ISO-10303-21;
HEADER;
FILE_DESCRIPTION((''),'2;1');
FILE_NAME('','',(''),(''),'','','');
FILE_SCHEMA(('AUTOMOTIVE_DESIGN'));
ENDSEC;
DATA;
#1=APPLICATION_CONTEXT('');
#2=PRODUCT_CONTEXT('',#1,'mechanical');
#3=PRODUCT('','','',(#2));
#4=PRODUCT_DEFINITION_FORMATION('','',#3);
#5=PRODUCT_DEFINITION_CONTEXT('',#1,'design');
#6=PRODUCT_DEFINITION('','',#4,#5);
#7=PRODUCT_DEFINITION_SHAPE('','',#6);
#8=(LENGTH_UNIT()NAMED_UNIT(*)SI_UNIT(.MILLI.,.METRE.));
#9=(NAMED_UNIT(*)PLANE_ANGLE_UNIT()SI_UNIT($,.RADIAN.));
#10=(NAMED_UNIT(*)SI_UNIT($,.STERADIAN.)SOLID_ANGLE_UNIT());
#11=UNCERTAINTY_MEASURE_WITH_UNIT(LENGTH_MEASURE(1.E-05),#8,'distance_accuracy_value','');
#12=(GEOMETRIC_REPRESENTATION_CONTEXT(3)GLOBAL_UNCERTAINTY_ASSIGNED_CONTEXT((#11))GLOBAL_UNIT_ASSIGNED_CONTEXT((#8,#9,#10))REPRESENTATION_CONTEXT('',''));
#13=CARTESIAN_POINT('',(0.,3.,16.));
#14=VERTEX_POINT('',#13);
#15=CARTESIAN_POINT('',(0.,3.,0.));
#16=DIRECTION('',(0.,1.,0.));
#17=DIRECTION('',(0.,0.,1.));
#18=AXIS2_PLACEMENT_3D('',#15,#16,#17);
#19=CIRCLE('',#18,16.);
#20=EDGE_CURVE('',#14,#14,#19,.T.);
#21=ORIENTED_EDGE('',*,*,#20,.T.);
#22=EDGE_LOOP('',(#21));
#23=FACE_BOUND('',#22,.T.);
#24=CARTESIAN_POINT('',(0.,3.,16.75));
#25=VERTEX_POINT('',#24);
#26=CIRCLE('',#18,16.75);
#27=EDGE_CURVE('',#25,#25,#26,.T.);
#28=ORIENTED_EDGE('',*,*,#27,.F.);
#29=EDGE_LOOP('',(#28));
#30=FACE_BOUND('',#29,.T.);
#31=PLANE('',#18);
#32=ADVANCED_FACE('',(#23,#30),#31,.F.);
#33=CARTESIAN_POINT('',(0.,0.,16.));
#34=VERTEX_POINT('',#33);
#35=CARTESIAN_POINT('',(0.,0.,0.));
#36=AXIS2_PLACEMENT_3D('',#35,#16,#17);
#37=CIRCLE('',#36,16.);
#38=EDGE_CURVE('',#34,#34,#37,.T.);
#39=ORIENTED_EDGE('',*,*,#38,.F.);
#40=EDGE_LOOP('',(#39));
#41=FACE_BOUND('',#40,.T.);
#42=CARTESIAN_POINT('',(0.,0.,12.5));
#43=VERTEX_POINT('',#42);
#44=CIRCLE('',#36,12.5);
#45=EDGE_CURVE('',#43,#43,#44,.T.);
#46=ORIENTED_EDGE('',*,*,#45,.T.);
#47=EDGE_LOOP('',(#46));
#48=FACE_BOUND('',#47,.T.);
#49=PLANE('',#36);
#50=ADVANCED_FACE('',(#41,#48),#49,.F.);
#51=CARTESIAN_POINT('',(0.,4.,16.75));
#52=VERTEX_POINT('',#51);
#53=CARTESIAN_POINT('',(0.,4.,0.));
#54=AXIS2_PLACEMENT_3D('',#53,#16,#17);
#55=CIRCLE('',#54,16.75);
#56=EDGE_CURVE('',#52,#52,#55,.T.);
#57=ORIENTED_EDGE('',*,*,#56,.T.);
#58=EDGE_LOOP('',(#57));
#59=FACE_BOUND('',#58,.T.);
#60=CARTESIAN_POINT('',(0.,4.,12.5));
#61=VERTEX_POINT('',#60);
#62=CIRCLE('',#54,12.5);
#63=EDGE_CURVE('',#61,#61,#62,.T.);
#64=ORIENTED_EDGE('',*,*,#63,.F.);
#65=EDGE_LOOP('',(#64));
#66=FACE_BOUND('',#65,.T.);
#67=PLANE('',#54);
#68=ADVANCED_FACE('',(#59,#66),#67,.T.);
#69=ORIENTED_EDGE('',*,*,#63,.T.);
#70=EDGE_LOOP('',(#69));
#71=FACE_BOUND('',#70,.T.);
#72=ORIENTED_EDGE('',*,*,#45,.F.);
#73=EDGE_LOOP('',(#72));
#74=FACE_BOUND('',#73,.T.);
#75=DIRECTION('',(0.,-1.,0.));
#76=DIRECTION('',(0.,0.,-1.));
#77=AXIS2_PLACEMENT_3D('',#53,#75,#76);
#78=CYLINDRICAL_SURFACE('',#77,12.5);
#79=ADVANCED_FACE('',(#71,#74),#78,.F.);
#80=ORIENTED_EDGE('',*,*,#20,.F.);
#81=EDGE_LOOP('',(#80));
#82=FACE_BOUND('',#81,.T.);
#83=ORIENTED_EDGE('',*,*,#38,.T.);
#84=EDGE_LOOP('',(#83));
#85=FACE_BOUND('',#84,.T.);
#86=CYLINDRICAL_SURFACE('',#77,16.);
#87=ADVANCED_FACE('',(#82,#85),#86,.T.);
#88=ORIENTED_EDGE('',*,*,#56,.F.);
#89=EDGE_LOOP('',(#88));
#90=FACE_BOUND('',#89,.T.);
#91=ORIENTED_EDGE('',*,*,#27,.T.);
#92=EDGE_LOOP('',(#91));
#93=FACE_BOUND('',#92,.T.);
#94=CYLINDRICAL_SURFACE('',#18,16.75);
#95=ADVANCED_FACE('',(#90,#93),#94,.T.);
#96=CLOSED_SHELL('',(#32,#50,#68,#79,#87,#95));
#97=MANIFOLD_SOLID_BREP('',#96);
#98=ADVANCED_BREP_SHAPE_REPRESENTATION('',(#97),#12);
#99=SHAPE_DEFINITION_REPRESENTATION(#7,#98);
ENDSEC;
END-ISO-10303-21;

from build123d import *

# Parameters (mm, degrees)
SKETCH_1_R      = 16
SKETCH_1_R_2    = 12.5
EXTRUDE_1_DEPTH = 4
EXTRUDE_START   = -1
SKETCH_2_R      = 16.75
SKETCH_2_R_2    = 16
EXTRUDE_2_DEPTH = 1


with BuildPart() as part:
    # 草图1 → 凸台-拉伸1 (new body)
    with BuildSketch(Plane(origin=(0, 0, 0), x_dir=(1, 0, 0), z_dir=(0, 1, 0))):
        with Locations(Location((0, 0, 0), (0, 0, 270))):
            Circle(SKETCH_1_R)
        with Locations(Location((0, 0, 0), (0, 0, 270))):
            Circle(SKETCH_1_R_2, mode=Mode.SUBTRACT)
    extrude(amount=EXTRUDE_1_DEPTH)

    # 草图2 → 凸台-拉伸2 (add)
    with BuildSketch(Plane(origin=(0, 4, 0), x_dir=(1, 0, 0), z_dir=(0, 1, 0)).offset(EXTRUDE_START)):
        with Locations(Location((0, 0, 0), (0, 0, 270))):
            Circle(SKETCH_2_R)
        with Locations(Location((0, 0, 0), (0, 0, 270))):
            Circle(SKETCH_2_R_2, mode=Mode.SUBTRACT)
    extrude(amount=EXTRUDE_2_DEPTH)


solid = part.part
